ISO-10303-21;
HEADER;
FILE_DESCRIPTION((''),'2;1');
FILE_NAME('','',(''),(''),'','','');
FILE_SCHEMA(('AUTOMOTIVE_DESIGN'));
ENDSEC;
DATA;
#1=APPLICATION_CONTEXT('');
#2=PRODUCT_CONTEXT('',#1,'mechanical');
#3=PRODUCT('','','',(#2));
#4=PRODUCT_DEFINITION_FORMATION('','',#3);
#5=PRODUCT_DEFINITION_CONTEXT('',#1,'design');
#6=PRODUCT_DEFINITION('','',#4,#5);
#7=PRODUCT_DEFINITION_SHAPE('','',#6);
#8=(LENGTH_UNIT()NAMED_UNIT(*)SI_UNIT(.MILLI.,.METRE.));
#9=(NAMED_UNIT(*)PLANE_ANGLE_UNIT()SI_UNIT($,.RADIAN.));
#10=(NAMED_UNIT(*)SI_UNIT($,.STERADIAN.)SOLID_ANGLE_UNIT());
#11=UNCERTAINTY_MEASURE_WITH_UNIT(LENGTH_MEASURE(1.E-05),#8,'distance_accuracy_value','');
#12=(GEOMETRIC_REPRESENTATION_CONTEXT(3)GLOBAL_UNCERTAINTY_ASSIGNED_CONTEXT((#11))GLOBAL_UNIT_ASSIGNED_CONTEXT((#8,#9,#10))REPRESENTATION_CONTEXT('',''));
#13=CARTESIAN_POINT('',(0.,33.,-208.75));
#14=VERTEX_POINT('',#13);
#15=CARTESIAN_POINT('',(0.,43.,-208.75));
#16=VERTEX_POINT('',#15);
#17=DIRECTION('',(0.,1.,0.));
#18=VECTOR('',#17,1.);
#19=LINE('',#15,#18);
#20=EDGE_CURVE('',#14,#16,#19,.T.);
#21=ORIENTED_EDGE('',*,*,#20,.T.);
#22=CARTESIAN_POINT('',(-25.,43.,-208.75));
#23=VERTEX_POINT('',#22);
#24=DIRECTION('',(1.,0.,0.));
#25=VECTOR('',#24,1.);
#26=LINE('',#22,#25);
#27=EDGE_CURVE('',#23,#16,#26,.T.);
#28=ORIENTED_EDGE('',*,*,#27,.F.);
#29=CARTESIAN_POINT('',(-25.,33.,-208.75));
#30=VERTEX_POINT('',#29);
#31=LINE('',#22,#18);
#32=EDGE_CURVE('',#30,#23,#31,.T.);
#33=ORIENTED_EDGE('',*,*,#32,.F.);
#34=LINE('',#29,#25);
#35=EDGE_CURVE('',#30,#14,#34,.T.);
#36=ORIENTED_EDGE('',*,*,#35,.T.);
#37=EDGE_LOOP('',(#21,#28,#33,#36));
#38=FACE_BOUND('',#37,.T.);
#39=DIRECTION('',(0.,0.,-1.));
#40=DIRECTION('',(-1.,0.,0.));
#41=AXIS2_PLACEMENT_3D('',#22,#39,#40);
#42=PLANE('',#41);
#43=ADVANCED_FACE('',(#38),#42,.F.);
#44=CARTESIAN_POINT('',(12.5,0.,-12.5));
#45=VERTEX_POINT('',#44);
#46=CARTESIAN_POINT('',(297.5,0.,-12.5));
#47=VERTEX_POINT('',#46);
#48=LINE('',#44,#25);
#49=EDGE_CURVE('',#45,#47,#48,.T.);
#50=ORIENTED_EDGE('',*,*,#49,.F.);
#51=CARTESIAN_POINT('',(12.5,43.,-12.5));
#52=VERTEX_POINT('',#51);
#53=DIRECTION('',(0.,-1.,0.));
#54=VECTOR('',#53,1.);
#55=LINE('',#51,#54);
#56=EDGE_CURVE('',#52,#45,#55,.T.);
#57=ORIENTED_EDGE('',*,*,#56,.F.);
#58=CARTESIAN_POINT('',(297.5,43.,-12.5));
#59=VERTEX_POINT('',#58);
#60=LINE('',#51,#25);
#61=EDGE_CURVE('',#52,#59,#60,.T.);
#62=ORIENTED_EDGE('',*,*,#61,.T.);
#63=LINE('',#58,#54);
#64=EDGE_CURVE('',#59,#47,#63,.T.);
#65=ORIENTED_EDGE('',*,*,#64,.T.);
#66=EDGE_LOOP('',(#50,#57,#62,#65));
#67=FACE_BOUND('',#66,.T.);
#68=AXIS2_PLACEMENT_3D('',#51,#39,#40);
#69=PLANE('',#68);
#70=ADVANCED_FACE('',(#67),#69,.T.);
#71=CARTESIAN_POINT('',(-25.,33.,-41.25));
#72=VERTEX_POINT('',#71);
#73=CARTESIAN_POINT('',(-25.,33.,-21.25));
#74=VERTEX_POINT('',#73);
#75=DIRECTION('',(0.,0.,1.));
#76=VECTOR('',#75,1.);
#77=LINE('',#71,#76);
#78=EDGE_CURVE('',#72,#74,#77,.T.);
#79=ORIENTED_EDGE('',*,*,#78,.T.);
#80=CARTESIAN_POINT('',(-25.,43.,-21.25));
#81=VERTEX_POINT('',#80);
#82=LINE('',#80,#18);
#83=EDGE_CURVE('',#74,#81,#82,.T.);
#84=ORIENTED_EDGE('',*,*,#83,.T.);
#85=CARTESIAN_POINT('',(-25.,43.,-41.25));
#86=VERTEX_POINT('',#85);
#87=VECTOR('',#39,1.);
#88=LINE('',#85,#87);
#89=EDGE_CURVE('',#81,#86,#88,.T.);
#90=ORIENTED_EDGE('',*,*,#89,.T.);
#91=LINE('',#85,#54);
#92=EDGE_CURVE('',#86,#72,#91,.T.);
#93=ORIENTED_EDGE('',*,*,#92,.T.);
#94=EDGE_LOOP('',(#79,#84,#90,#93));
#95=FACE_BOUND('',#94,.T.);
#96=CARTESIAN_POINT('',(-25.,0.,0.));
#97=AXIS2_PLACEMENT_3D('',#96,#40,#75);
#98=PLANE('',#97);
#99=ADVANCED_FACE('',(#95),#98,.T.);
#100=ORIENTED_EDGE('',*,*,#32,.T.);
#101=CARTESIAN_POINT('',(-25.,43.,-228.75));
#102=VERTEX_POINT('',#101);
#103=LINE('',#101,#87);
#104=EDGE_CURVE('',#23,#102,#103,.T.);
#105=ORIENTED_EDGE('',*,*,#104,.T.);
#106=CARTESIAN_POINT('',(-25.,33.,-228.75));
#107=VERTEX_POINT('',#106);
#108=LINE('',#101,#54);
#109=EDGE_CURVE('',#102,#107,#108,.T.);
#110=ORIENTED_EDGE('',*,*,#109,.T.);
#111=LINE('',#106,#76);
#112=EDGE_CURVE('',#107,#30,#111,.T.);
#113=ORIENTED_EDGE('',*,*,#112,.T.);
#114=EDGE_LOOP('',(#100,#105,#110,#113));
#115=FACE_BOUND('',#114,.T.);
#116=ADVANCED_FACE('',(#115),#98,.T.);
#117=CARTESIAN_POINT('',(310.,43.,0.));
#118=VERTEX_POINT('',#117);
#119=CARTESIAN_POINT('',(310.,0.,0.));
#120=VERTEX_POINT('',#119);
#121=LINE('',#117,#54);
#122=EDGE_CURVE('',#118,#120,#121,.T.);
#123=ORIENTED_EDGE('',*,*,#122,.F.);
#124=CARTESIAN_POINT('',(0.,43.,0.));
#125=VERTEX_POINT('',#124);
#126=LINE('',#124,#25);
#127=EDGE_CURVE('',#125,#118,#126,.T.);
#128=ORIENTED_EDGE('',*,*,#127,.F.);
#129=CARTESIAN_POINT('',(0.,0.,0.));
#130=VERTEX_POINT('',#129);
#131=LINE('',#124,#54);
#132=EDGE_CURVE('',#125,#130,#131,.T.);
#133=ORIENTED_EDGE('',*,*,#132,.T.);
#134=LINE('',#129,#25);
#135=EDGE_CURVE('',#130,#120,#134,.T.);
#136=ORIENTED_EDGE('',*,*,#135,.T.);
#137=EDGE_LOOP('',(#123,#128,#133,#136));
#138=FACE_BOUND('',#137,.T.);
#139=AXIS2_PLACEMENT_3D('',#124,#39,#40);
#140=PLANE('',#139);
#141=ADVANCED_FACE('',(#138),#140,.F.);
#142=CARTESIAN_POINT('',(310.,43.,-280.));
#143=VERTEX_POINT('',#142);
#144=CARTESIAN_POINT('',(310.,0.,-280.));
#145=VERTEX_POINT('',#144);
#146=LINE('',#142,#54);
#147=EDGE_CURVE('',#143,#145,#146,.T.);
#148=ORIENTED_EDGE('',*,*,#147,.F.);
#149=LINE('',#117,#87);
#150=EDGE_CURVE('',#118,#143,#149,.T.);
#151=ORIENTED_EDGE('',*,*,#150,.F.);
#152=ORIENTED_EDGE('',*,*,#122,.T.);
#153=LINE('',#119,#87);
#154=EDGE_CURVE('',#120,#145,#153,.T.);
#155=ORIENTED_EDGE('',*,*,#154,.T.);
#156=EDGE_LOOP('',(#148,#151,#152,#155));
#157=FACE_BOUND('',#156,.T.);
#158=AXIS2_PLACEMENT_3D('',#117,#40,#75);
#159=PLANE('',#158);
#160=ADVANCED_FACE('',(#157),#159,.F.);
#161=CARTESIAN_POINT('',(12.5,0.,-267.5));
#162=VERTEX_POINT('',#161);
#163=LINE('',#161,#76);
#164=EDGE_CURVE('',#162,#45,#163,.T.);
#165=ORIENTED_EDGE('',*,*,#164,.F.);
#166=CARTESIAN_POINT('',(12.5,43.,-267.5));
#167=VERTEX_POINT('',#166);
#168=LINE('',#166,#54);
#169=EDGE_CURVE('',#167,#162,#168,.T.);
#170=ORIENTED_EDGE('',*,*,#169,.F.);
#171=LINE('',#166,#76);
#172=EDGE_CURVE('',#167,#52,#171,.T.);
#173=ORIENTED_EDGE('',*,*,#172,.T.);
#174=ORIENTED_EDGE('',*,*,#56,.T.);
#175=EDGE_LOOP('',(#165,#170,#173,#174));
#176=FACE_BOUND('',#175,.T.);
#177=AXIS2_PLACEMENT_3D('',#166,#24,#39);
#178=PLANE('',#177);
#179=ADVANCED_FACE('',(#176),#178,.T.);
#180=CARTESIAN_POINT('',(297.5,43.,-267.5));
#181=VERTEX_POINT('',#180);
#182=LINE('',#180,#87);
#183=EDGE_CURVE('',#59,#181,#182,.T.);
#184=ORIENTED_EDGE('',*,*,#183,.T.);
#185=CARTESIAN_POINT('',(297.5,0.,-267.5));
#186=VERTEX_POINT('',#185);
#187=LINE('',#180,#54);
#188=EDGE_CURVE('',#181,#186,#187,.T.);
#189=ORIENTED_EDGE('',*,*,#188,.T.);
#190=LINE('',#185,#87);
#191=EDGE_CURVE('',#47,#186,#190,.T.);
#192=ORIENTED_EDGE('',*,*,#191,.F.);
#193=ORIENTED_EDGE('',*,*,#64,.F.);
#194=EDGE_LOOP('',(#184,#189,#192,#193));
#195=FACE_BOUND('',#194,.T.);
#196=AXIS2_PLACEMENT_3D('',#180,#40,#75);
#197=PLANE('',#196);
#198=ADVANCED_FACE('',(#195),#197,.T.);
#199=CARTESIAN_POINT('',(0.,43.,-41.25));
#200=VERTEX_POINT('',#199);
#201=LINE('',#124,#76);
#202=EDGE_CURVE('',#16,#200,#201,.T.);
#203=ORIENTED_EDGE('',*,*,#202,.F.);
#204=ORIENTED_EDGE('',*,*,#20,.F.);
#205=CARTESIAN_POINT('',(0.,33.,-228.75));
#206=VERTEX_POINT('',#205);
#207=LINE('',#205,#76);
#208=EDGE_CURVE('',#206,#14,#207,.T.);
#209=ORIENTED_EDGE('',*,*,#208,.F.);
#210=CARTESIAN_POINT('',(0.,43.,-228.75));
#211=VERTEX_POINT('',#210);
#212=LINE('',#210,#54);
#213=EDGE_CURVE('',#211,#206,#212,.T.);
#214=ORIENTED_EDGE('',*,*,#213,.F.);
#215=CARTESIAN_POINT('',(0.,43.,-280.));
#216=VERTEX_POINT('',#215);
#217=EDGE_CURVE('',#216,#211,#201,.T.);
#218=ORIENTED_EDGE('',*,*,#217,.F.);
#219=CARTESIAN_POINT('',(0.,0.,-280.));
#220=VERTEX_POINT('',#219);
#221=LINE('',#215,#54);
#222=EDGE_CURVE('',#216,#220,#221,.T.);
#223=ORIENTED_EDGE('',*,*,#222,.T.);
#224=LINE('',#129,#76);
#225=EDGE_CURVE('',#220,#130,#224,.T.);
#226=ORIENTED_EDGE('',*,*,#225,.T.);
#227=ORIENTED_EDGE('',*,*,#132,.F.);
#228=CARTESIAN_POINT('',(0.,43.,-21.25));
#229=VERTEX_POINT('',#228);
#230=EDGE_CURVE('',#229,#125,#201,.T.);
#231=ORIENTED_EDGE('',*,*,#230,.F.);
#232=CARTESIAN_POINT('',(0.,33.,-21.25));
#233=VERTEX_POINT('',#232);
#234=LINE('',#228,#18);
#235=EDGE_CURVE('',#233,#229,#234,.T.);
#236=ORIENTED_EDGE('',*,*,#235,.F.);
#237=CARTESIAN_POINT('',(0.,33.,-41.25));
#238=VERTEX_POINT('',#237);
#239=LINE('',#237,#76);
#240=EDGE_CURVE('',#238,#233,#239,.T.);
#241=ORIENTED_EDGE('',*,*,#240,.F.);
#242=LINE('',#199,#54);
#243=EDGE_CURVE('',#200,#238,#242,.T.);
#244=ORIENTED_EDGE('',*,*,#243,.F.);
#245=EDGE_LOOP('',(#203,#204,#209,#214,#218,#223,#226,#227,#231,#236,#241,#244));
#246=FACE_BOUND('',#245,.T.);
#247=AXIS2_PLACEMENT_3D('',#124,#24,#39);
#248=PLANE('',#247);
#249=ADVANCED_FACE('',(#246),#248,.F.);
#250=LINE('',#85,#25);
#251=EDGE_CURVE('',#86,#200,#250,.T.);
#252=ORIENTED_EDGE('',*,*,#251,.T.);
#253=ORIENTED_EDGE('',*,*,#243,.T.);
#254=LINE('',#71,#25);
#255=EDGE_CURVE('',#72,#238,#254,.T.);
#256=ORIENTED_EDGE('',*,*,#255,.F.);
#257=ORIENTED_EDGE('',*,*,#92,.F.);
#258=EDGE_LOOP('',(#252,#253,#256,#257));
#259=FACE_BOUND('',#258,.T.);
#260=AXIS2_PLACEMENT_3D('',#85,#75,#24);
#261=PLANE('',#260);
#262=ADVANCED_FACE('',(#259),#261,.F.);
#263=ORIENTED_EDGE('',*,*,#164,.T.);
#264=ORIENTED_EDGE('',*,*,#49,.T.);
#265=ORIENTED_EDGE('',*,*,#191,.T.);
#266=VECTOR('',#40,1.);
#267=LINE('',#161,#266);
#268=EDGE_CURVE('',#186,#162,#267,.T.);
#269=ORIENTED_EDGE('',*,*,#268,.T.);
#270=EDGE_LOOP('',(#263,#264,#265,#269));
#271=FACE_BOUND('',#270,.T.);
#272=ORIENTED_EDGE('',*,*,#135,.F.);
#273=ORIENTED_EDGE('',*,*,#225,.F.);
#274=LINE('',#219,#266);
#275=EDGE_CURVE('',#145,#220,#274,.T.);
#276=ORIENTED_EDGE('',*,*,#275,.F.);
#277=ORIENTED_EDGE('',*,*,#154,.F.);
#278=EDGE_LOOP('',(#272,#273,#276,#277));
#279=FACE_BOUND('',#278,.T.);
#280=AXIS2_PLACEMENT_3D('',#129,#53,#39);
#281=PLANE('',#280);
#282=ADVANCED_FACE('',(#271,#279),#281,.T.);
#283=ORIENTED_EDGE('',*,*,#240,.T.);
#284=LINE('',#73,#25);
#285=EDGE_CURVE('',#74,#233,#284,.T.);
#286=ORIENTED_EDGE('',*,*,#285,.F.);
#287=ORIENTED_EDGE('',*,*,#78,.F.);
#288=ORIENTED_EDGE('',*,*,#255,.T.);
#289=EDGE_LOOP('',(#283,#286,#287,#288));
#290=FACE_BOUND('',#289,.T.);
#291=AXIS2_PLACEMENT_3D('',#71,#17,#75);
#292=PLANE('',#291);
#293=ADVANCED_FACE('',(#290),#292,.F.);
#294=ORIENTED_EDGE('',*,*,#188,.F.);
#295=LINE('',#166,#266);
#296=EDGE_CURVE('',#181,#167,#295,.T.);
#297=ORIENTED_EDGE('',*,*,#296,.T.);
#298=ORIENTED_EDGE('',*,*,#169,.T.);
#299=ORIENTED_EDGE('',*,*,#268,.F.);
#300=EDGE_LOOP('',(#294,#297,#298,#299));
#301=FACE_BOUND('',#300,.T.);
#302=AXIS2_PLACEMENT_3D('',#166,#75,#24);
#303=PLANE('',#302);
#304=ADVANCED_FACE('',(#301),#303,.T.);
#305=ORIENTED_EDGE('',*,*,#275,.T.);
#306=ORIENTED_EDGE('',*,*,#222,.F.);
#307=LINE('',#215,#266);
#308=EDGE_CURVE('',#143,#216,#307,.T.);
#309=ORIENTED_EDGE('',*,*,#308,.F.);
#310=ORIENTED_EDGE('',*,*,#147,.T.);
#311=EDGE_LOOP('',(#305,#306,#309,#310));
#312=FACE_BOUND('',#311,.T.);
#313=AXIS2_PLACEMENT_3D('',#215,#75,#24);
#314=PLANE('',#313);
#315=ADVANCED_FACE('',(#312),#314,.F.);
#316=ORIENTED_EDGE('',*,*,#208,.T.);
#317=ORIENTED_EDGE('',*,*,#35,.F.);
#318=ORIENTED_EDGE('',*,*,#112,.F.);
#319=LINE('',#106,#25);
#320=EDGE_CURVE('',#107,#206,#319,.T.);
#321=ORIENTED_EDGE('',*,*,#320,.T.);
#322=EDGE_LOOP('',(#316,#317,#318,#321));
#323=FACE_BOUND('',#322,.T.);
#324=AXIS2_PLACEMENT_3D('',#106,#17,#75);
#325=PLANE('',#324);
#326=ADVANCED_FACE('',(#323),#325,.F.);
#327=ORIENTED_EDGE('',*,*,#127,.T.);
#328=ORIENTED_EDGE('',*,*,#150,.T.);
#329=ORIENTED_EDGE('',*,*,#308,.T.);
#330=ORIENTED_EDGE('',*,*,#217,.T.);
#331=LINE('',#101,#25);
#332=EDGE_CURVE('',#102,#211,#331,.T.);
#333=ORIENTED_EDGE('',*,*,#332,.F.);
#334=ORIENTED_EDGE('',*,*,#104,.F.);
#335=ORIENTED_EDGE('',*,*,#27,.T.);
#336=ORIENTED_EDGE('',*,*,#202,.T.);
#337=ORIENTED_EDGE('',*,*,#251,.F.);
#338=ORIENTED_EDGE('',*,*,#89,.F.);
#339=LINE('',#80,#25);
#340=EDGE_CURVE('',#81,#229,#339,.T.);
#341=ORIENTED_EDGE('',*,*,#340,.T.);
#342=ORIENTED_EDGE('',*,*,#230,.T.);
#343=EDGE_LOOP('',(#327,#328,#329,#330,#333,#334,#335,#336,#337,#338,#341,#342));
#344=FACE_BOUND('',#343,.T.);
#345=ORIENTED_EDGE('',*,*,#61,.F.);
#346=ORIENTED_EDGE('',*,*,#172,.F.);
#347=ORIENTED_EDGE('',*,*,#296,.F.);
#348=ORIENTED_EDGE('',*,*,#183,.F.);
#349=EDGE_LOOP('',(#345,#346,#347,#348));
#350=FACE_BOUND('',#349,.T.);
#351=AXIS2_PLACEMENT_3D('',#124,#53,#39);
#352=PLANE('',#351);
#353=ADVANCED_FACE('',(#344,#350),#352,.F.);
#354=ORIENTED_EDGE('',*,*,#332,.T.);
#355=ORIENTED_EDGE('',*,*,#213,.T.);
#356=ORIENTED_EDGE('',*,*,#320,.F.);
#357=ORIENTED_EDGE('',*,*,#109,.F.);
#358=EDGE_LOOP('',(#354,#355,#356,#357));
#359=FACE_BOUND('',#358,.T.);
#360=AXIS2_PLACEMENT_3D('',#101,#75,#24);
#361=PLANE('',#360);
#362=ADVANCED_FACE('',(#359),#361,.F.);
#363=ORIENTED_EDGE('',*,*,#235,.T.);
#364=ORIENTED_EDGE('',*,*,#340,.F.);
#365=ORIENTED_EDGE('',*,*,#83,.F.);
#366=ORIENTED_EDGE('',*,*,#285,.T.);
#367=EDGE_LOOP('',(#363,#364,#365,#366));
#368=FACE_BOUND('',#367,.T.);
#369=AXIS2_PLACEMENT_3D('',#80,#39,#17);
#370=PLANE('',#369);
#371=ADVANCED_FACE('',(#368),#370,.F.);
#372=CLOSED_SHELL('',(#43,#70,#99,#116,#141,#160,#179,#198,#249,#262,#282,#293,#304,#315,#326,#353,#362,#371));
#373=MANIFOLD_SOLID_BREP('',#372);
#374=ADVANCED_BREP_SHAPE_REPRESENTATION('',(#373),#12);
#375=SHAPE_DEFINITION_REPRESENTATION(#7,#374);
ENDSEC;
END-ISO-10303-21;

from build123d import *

# Parameters (mm, degrees)
SKETCH1_W           = 310
SKETCH1_H           = 280
SKETCH1_W_2         = 285
SKETCH1_H_2         = 255
BOSS_EXTRUDE1_DEPTH = 43
SKETCH2_W           = 20
SKETCH2_H           = 10
BOSS_EXTRUDE2_DEPTH = 25


with BuildPart() as part:
    # Sketch1 → Boss-Extrude1 (new body)
    with BuildSketch(Plane(origin=(0, 0, 0), x_dir=(1, 0, 0), z_dir=(0, 1, 0))):
        with Locations((155, 140)):
            Rectangle(SKETCH1_W, SKETCH1_H)
        with Locations((155, 140)):
            Rectangle(SKETCH1_W_2, SKETCH1_H_2, mode=Mode.SUBTRACT)
    extrude(amount=BOSS_EXTRUDE1_DEPTH)

    # Sketch2 → Boss-Extrude2 (add)
    with BuildSketch(Plane.ZY):
        with Locations((-218.75, 38)):
            Rectangle(SKETCH2_W, SKETCH2_H)
        with Locations((-31.25, 38)):
            Rectangle(SKETCH2_W, SKETCH2_H)
    extrude(amount=BOSS_EXTRUDE2_DEPTH)


solid = part.part
